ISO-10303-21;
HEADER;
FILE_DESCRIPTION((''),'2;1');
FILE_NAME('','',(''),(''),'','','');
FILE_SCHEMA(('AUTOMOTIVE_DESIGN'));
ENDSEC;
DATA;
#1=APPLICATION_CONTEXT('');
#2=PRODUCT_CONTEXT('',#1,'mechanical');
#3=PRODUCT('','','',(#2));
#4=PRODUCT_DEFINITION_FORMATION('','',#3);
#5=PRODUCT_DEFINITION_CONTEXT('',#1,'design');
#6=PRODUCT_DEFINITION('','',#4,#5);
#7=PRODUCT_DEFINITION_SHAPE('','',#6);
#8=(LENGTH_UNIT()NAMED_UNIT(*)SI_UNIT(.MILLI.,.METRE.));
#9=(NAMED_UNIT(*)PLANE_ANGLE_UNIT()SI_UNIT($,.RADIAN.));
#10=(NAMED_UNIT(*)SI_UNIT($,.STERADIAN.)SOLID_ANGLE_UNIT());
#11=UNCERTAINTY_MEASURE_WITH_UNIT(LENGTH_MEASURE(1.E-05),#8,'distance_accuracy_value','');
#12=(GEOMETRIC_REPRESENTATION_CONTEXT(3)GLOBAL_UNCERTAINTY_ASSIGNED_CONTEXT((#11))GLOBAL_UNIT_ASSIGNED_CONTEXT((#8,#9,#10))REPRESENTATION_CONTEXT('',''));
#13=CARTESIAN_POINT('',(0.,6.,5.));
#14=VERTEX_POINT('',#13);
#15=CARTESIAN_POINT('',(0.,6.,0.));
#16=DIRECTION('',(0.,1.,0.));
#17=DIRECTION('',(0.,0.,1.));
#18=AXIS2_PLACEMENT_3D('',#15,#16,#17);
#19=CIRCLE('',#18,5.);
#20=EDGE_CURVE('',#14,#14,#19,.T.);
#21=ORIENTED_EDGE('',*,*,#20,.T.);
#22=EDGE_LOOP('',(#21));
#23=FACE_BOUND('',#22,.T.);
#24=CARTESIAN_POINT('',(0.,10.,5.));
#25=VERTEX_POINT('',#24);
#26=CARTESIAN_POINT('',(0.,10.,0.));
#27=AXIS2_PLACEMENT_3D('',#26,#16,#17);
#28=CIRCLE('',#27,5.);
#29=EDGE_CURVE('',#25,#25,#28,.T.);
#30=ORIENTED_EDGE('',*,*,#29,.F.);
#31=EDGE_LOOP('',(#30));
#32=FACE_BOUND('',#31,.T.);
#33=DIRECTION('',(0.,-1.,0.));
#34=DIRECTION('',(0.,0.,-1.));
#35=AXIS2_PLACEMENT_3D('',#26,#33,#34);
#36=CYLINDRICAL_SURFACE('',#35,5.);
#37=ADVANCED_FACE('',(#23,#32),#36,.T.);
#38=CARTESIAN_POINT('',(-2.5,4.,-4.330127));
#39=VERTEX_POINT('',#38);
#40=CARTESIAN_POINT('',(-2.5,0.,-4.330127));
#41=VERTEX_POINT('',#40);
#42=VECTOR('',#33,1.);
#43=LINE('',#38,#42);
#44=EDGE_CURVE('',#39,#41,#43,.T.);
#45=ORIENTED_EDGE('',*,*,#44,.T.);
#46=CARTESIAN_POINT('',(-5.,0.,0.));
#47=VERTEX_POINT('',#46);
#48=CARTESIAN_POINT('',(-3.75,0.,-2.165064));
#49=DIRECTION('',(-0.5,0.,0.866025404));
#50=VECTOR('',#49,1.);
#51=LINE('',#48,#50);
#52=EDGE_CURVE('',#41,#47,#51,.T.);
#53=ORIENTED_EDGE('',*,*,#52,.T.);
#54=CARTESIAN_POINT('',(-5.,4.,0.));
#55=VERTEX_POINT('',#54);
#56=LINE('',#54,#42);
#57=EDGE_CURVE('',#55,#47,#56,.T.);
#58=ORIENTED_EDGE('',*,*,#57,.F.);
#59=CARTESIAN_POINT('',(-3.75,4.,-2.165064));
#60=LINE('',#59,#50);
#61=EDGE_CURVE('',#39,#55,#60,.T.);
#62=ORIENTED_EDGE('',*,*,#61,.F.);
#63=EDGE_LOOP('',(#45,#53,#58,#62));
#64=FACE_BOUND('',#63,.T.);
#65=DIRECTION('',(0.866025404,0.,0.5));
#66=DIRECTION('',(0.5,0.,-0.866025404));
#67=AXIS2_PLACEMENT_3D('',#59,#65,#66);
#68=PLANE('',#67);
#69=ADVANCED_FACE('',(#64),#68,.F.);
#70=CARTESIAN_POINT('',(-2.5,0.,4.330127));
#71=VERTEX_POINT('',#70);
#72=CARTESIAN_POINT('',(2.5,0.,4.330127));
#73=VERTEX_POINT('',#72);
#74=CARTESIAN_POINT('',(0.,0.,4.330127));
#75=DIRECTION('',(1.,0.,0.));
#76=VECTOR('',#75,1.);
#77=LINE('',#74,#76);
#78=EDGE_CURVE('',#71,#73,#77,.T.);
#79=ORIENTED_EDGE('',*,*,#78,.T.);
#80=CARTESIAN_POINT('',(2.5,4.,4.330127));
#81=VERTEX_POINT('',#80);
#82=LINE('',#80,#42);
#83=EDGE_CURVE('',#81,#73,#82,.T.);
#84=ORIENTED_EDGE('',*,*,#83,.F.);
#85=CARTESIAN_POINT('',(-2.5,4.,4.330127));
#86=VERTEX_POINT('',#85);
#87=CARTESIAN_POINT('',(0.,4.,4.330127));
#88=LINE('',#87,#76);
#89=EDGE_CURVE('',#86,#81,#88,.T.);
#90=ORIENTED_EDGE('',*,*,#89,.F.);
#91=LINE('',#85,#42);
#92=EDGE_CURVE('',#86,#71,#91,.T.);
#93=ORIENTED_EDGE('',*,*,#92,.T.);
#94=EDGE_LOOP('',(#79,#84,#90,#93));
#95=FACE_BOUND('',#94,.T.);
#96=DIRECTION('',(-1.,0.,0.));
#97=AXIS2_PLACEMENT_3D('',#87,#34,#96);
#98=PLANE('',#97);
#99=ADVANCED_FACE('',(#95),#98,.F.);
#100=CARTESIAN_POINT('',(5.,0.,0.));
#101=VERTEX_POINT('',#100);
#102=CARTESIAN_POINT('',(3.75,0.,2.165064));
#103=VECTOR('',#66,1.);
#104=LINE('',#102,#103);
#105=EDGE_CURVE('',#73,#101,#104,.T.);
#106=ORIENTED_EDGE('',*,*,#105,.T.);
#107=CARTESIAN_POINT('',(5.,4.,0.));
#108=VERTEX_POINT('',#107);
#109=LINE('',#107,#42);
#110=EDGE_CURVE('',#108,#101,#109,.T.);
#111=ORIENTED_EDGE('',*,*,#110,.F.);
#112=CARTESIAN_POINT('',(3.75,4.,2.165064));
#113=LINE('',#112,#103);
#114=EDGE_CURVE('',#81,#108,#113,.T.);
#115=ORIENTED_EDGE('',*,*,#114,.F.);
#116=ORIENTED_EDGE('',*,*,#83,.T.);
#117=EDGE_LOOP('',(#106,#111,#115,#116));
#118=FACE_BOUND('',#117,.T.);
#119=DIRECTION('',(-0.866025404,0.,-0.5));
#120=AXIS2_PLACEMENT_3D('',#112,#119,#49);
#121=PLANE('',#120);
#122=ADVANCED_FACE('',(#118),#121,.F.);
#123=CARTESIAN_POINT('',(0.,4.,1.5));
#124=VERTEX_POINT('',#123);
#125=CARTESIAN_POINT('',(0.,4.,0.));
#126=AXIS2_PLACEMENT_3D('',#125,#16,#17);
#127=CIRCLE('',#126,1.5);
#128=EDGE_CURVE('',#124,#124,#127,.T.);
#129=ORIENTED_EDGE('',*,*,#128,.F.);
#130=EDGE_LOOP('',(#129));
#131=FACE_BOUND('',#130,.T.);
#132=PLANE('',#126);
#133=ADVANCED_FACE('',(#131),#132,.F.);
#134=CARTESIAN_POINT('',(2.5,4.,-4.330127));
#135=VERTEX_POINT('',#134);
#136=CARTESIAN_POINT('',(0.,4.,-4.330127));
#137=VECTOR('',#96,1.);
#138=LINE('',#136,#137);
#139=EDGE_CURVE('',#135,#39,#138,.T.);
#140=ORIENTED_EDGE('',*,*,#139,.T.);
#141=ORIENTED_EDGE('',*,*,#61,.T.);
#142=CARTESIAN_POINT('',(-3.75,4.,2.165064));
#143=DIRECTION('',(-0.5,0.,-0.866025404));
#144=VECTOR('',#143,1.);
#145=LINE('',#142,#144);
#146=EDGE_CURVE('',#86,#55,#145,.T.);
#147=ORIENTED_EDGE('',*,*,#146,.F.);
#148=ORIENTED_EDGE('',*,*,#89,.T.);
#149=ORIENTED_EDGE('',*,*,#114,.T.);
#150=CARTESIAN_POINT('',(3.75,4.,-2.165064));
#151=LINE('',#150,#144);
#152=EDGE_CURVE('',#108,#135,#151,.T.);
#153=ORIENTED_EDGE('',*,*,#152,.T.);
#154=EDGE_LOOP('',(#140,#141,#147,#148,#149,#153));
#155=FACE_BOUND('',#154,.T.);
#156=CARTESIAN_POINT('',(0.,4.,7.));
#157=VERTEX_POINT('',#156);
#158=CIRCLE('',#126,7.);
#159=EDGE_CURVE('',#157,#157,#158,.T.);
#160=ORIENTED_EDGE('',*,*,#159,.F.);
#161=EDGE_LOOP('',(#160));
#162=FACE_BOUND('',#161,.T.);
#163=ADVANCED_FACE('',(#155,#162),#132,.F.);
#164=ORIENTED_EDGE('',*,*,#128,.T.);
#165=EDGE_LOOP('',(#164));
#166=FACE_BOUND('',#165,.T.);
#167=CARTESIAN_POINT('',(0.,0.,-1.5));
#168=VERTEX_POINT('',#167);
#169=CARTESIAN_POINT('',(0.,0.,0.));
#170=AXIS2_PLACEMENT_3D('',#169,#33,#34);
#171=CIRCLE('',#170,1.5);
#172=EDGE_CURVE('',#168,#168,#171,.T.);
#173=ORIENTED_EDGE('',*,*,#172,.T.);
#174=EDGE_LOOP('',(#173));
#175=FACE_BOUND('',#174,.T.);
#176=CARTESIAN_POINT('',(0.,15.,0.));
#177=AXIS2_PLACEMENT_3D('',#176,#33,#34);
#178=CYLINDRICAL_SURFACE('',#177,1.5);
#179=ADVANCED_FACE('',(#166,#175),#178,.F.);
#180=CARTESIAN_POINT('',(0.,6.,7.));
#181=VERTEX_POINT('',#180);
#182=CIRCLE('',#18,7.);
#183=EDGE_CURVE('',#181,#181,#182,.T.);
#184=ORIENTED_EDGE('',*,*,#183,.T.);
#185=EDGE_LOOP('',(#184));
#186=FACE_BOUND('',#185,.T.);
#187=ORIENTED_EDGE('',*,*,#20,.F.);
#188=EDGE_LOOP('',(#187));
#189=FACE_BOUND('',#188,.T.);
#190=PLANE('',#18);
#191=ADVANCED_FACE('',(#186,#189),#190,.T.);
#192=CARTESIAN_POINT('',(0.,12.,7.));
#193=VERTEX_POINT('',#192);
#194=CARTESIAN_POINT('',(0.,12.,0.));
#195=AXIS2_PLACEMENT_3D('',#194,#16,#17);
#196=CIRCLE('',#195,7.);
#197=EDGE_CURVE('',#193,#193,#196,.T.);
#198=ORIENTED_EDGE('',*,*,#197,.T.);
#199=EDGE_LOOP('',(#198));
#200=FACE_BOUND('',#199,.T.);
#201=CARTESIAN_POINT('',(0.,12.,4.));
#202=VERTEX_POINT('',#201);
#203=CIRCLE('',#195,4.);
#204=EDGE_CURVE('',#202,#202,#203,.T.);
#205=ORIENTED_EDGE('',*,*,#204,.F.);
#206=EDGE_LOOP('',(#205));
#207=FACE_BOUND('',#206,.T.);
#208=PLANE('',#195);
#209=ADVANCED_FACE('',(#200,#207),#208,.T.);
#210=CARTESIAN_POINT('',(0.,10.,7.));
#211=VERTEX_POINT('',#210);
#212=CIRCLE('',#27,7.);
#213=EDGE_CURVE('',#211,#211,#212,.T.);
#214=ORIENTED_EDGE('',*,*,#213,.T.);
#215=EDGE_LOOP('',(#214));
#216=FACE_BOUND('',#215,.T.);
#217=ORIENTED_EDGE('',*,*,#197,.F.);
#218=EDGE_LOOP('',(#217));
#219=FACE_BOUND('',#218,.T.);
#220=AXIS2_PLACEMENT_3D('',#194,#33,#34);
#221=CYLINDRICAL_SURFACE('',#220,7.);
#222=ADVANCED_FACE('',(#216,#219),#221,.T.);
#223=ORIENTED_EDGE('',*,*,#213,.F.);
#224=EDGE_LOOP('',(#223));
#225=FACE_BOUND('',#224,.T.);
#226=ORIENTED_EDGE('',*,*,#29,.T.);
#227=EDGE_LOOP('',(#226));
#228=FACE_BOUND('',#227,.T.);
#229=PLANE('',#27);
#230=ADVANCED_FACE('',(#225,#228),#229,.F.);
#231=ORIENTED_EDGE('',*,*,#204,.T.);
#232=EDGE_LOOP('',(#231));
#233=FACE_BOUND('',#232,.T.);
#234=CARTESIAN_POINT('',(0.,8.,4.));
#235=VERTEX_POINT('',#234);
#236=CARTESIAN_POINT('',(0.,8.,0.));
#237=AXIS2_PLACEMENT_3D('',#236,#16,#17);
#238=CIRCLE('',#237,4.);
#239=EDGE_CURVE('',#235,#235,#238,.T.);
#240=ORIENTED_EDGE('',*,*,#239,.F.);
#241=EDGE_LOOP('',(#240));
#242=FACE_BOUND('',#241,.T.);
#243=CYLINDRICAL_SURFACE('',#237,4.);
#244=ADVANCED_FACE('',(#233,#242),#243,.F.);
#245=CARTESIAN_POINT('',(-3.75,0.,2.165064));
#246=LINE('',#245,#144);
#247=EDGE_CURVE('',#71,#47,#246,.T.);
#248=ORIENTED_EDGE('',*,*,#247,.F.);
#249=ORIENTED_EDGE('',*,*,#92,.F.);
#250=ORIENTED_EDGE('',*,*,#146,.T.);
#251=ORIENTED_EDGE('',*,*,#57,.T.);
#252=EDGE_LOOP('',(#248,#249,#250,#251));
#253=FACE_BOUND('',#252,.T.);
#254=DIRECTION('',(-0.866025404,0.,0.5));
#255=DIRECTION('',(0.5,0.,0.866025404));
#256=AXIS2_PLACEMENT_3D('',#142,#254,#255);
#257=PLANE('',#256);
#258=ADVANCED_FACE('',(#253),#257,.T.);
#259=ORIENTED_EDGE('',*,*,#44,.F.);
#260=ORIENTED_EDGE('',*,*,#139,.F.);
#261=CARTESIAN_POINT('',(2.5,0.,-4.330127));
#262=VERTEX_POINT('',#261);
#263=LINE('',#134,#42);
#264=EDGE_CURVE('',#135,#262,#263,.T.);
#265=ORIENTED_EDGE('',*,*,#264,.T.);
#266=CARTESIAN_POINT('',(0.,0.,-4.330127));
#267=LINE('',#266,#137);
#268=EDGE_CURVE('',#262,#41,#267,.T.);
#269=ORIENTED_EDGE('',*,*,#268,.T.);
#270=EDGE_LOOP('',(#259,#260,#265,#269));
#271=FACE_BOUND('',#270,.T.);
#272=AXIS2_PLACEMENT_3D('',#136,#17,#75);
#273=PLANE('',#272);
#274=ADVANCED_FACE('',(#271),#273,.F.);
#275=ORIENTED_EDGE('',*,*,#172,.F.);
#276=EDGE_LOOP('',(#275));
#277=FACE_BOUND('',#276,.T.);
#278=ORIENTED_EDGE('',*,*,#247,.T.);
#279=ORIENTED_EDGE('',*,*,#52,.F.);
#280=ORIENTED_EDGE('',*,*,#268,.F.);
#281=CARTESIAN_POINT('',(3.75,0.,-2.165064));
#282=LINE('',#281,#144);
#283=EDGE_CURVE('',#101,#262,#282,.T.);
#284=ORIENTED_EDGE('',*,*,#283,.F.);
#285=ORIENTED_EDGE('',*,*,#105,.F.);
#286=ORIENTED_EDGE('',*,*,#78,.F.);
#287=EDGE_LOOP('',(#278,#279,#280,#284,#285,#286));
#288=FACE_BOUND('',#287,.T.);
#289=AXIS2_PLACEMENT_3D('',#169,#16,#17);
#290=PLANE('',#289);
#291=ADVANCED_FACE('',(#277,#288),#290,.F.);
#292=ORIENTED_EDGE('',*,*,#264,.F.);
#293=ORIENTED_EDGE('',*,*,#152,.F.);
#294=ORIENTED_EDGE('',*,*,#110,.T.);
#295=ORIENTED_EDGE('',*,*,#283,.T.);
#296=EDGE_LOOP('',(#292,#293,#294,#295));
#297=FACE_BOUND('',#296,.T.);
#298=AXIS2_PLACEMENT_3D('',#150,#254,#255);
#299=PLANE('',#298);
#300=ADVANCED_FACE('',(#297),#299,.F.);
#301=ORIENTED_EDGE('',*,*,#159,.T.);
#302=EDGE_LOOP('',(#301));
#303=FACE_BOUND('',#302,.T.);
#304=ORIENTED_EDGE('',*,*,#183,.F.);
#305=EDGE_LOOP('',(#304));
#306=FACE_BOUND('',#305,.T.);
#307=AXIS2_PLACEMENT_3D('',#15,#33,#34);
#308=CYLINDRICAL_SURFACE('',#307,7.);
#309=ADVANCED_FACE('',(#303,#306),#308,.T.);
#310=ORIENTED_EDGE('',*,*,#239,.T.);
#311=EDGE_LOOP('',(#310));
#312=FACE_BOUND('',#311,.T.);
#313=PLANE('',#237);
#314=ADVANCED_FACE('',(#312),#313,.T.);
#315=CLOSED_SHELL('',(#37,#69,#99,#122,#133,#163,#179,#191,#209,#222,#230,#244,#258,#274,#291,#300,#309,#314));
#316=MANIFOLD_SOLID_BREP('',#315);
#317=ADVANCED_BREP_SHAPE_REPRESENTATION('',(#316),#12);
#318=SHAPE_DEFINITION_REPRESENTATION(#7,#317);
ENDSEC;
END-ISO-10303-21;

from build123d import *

# Parameters (mm, degrees)
EXTRUDE_1_DEPTH     = 4
SKETCH_4_R          = 1.5
CUT_EXTRUDE_1_DEPTH = 15
SKETCH_3_R          = 7
EXTRUDE_4_DEPTH     = 2
SKETCH_10_R         = 5
EXTRUDE_7_DEPTH     = 4
SKETCH_11_R         = 7
EXTRUDE_8_DEPTH     = 2
SKETCH_12_R         = 4
CUT_EXTRUDE_5_DEPTH = 4


with BuildPart() as part:
    # 草图2 → 凸台-拉伸1 (new body)
    with BuildSketch(Plane(origin=(0, 0, 0), x_dir=(1, 0, 0), z_dir=(0, 1, 0))):
        Polygon((0, 0), (-2.5, 4.330127019), (-5, 0), align=None)
        Polygon((-2.5, -4.330127019), (-5, 0), (0, 0), align=None)
        Polygon((0, 0), (-2.5, -4.330127019), (2.5, -4.330127019), align=None)
        Polygon((0, 0), (2.5, -4.330127019), (5, 0), align=None)
        Polygon((0, 0), (5, 0), (2.5, 4.330127019), align=None)
        Polygon((0, 0), (2.5, 4.330127019), (-2.5, 4.330127019), align=None)
    extrude(amount=EXTRUDE_1_DEPTH)

    # 草图4 → 切除-拉伸1 (cut)
    with BuildSketch(Plane.XZ):
        with Locations(Location((0, 0, 0), (0, 0, 270))):
            Circle(SKETCH_4_R)
    extrude(amount=-CUT_EXTRUDE_1_DEPTH, mode=Mode.SUBTRACT)

    # 草图3 → 凸台-拉伸4 (add)
    with BuildSketch(Plane(origin=(0, 4, 0), x_dir=(1, 0, 0), z_dir=(0, 1, 0))):
        with Locations(Location((0, 0, 0), (0, 0, 270))):
            Circle(SKETCH_3_R)
    extrude(amount=EXTRUDE_4_DEPTH)

    # 草图10 → 凸台-拉伸7 (add)
    with BuildSketch(Plane(origin=(0, 6, 0), x_dir=(1, 0, 0), z_dir=(0, 1, 0))):
        with Locations(Location((0, 0, 0), (0, 0, 270))):
            Circle(SKETCH_10_R)
    extrude(amount=EXTRUDE_7_DEPTH)

    # 草图11 → 凸台-拉伸8 (add)
    with BuildSketch(Plane(origin=(0, 10, 0), x_dir=(1, 0, 0), z_dir=(0, 1, 0))):
        with Locations(Location((0, 0, 0), (0, 0, 270))):
            Circle(SKETCH_11_R)
    extrude(amount=EXTRUDE_8_DEPTH)

    # 草图12 → 切除-拉伸5 (cut)
    with BuildSketch(Plane(origin=(0, 12, 0), x_dir=(1, 0, 0), z_dir=(0, 1, 0))):
        with Locations(Location((0, 0, 0), (0, 0, 270))):
            Circle(SKETCH_12_R)
    extrude(amount=-CUT_EXTRUDE_5_DEPTH, mode=Mode.SUBTRACT)


solid = part.part
